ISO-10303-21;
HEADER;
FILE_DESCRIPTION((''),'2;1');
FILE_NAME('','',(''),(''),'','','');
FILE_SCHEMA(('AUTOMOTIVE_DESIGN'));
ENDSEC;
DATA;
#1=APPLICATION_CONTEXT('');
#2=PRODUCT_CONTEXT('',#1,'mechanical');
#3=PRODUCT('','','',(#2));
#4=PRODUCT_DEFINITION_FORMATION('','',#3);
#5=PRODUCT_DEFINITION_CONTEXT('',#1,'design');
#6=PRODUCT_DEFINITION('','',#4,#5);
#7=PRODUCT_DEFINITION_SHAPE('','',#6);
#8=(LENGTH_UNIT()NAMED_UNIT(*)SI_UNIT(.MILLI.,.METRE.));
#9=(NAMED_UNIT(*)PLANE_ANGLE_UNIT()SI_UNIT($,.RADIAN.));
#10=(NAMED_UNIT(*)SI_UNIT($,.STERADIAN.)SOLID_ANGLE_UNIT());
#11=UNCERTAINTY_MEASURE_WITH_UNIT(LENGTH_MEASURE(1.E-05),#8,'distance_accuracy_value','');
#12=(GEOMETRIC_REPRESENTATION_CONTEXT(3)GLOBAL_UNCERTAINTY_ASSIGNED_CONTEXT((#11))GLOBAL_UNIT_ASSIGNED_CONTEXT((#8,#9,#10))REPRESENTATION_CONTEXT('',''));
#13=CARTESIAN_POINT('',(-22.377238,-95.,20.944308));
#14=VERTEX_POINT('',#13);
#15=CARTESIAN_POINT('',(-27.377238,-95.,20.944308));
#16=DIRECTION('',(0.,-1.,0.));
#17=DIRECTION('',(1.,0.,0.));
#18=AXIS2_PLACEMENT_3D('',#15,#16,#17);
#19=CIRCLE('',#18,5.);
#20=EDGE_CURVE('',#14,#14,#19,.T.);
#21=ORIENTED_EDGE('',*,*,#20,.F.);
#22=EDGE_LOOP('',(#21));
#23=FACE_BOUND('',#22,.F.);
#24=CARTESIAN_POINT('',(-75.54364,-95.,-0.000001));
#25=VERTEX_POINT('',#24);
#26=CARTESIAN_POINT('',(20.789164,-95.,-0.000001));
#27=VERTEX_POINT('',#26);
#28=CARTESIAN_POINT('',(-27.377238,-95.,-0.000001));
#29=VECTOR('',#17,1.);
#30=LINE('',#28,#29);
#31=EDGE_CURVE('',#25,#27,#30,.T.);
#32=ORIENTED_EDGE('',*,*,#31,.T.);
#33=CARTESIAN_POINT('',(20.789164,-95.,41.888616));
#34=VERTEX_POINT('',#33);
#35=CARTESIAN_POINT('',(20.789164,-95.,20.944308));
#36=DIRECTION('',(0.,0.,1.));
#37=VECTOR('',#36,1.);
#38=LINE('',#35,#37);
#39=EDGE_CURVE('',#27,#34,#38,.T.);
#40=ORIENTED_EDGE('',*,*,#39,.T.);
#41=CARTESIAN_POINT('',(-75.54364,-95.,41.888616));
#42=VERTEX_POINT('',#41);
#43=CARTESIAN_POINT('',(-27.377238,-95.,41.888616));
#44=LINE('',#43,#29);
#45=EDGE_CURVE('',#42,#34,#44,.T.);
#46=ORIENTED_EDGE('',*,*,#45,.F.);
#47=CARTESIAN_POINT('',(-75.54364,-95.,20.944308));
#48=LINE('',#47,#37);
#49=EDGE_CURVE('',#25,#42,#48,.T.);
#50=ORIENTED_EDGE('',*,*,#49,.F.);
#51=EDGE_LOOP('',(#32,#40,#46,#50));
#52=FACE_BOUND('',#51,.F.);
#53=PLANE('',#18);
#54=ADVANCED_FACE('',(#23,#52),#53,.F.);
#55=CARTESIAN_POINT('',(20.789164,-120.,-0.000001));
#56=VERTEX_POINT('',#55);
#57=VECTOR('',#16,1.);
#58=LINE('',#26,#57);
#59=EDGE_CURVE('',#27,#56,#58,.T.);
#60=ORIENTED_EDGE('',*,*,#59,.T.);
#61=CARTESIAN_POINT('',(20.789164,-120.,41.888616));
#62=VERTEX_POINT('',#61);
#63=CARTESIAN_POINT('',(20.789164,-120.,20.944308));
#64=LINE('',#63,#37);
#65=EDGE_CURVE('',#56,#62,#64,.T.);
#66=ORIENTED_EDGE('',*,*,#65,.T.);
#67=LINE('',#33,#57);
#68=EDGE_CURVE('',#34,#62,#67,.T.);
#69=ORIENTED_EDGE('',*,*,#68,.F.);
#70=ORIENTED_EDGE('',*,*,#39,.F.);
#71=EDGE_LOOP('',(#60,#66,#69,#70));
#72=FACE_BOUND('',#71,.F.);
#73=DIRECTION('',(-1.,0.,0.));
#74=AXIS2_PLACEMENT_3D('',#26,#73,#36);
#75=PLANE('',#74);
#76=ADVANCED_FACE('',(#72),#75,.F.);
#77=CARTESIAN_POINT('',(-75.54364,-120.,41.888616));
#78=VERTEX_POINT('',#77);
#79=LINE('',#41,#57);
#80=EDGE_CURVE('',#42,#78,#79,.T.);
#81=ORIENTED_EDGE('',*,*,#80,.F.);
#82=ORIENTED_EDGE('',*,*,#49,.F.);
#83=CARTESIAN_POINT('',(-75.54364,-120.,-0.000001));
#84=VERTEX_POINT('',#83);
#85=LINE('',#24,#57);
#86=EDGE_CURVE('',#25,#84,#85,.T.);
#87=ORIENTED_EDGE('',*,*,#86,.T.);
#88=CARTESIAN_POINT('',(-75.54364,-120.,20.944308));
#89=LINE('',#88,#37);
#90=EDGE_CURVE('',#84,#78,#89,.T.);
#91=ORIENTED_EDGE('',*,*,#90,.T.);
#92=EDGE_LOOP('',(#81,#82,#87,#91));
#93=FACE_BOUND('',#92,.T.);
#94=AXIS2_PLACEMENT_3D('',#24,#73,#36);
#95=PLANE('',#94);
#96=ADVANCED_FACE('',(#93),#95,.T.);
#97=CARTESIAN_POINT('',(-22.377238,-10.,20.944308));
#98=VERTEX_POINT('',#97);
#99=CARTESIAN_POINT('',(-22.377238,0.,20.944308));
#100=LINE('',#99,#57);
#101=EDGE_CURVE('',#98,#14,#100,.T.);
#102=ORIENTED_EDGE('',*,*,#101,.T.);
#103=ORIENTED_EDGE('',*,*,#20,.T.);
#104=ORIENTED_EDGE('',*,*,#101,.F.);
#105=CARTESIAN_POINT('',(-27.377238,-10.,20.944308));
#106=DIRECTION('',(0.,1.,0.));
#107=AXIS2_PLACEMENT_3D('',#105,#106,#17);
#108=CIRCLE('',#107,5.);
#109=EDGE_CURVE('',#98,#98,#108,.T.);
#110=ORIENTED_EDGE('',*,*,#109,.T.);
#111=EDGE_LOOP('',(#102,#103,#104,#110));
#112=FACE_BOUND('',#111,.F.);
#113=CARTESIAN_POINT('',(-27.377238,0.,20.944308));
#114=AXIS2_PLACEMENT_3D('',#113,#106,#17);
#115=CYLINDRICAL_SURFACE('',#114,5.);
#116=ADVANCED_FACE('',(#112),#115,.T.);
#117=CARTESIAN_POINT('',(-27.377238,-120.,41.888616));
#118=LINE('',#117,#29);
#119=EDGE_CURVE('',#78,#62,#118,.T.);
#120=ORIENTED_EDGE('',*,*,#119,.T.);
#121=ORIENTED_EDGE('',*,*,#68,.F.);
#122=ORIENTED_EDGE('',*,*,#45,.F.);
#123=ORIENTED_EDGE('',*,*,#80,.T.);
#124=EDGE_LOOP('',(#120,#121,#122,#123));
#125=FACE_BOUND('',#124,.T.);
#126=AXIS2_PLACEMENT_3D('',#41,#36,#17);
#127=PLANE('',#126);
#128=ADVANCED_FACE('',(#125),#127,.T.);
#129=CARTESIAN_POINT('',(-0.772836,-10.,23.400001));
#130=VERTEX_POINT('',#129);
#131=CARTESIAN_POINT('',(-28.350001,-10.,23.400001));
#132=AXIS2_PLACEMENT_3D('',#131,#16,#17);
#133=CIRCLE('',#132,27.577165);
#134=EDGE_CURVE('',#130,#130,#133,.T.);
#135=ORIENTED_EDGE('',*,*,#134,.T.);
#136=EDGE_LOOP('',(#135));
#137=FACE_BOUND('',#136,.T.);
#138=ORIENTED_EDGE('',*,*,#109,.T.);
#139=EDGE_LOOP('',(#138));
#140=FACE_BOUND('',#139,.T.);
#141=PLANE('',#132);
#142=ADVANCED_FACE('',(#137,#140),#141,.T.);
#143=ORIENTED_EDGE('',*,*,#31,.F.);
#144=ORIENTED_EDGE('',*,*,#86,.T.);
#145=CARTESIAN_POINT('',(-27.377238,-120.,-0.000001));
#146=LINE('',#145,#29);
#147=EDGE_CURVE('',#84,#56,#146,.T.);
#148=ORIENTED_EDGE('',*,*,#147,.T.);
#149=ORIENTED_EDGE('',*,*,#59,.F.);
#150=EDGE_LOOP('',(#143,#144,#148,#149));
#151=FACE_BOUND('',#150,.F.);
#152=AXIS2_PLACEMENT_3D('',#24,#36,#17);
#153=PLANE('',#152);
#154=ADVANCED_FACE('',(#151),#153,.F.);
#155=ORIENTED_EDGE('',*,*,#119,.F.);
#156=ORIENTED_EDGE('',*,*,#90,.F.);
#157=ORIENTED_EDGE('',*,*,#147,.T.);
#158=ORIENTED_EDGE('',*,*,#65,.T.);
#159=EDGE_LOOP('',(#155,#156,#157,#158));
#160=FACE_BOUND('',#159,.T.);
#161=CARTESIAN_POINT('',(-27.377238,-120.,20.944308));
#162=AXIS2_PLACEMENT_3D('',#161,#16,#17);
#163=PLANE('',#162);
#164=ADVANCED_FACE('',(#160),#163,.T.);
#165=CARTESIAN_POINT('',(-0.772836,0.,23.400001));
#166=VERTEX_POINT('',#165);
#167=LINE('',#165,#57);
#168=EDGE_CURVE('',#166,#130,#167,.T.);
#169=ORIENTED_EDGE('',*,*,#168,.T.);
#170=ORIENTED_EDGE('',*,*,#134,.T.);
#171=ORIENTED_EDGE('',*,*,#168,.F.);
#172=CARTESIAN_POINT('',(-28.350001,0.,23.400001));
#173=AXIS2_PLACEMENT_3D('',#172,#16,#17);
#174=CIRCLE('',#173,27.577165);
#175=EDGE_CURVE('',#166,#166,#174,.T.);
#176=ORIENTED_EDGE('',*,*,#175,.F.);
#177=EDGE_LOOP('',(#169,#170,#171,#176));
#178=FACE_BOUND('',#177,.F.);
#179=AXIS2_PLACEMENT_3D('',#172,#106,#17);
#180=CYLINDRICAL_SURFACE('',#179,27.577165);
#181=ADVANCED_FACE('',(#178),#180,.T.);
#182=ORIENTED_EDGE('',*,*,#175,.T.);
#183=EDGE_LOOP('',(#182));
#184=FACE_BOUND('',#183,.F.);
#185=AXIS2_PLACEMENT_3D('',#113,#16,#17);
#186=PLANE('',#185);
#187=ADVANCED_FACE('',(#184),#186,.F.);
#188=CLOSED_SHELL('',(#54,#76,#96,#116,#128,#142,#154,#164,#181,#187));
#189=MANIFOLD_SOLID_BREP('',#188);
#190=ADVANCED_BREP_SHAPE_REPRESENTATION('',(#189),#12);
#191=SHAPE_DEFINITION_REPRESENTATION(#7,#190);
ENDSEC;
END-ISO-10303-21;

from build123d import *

# Parameters (mm, degrees)
F0_R     = 27.577165
F1_DEPTH = 10
F2_R     = 5
F3_DEPTH = 95
F4_W     = 96.332805
F4_H     = 41.888617
F5_DEPTH = 25


with BuildPart() as f1:
    # F0 (on Front) → F1 (new body)
    with BuildSketch(Plane.XZ):
        with Locations((-28.350001, 23.400001)):
            Circle(F0_R)
    extrude(amount=F1_DEPTH)

    # F2 (on Front) → F3 (join)
    with BuildSketch(Plane.XZ):
        with Locations((-27.377238, 20.944308)):
            Circle(F2_R)
    extrude(amount=F3_DEPTH)

    # F4 (on face) → F5 (join)
    with BuildSketch(Plane.XZ.offset(95)):
        with Locations((-27.377238, 20.944308)):
            Rectangle(F4_W, F4_H)
    extrude(amount=F5_DEPTH)


solid = f1.part
